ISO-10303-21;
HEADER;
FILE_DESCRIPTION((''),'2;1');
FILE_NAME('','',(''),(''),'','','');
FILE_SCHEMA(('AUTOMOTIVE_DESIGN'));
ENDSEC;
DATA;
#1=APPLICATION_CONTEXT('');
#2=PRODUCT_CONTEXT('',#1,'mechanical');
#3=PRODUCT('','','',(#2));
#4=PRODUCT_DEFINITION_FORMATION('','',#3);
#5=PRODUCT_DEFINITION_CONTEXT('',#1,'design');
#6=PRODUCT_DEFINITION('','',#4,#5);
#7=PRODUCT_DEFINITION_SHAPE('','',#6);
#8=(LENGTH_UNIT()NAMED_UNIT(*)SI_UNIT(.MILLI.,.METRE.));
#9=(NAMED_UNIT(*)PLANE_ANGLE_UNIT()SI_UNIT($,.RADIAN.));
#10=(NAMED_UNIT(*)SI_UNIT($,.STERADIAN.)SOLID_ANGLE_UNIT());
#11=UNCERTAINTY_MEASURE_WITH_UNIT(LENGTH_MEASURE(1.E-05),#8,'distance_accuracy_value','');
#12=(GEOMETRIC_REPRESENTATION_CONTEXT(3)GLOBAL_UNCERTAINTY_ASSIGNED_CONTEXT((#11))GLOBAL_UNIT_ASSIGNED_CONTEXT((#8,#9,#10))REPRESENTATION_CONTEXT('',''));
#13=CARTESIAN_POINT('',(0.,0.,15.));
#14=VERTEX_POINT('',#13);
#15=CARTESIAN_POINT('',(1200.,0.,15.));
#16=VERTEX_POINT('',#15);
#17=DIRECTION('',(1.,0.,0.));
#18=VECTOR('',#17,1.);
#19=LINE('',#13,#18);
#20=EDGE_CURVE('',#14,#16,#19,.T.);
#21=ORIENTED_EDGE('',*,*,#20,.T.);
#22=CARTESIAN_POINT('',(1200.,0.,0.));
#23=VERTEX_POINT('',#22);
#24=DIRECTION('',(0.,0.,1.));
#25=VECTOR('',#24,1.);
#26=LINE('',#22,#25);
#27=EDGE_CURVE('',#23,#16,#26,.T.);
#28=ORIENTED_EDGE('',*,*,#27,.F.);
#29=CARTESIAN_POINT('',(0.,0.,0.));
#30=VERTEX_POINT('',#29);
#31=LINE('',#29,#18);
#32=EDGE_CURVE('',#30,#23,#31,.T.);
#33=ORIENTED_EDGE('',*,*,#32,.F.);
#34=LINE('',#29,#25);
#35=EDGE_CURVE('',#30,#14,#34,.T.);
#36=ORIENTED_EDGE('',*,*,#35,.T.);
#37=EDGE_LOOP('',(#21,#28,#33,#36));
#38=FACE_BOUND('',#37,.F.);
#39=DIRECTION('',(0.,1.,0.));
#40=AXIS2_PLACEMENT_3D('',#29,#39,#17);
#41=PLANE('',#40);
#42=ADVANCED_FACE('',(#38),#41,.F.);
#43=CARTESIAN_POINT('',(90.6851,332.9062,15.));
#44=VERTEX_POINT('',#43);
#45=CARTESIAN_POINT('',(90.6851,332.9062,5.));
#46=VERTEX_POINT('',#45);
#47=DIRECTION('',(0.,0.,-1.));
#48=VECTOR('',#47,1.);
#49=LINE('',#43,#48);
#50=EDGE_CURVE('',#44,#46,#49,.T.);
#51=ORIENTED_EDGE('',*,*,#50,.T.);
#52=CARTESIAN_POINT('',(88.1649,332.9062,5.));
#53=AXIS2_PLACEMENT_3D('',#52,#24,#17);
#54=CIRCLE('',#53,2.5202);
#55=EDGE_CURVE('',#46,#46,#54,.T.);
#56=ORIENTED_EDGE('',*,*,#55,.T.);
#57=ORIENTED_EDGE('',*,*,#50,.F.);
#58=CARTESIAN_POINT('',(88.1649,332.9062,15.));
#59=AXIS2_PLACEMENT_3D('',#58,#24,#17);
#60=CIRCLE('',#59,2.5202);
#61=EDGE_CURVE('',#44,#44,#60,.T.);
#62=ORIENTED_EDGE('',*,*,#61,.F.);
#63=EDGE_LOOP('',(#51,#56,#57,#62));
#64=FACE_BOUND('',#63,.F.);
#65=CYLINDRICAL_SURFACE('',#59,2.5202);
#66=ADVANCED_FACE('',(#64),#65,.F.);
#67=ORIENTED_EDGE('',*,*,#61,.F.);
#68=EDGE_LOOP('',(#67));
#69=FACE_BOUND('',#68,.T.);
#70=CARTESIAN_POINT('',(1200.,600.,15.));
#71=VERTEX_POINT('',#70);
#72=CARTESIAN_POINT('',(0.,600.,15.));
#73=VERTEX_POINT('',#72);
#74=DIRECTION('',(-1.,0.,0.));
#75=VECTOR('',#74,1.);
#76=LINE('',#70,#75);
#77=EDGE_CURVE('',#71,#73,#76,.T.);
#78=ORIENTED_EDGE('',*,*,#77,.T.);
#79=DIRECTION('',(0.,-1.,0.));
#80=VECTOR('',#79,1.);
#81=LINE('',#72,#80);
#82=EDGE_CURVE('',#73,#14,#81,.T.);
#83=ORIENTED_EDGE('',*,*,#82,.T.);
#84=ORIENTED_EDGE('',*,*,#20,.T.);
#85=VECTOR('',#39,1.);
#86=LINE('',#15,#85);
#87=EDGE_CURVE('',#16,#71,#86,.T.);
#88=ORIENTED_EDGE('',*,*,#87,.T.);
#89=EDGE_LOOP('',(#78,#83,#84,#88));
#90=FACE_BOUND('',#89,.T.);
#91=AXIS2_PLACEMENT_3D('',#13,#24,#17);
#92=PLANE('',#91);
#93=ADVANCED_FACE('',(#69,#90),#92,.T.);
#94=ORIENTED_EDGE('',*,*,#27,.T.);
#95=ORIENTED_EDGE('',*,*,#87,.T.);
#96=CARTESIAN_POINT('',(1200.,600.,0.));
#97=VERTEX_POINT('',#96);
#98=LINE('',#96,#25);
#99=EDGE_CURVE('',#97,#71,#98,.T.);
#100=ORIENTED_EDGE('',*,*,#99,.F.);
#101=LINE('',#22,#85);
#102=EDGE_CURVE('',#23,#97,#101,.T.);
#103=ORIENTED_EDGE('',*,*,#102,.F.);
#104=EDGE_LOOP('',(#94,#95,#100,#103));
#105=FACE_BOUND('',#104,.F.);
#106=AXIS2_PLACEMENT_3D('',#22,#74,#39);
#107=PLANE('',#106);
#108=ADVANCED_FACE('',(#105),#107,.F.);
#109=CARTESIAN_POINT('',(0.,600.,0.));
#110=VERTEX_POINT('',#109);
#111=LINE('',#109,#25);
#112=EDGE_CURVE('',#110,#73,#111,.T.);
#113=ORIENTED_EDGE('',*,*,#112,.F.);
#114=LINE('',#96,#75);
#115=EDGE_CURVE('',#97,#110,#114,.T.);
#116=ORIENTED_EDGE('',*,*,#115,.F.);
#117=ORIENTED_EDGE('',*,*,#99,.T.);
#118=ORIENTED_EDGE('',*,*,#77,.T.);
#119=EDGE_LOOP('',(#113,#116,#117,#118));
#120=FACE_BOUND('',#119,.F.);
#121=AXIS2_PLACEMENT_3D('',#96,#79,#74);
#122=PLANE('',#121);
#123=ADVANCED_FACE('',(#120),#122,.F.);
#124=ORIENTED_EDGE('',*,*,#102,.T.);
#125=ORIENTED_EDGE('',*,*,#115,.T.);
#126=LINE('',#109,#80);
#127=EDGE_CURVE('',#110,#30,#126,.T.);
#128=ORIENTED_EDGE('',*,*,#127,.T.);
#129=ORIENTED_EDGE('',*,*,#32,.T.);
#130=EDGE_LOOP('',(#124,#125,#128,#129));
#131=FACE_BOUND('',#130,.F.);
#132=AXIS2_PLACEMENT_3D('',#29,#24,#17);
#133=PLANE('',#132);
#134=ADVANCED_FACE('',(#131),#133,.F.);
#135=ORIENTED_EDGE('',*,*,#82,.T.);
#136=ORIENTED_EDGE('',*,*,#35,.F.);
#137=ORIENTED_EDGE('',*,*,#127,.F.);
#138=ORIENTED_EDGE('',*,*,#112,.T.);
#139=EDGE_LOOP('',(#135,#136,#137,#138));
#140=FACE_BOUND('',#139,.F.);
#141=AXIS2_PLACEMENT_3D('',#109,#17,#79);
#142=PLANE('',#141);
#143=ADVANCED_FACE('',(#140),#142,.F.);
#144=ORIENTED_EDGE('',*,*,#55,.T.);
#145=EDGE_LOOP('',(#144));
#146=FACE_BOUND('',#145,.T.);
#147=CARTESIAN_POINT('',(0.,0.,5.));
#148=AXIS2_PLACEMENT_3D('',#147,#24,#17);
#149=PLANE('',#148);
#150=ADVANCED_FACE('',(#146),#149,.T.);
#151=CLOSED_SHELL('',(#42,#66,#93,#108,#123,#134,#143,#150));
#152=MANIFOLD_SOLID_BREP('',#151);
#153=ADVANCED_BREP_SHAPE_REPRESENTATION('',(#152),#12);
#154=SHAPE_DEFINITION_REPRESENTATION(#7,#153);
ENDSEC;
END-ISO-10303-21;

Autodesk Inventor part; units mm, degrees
ref_plane "YZ Plane" through (0, 0, 0) normal (1, 0, 0) x (0, 1, 0)
ref_plane "XZ Plane" through (0, 0, 0) normal (0, 1, 0) x (-1, 0, 0)
ref_plane "XY Plane" through (0, 0, 0) normal (0, 0, 1) x (1, 0, 0)
sketch "Sketch1" plane through (0, 0, 0) normal (0, 0, 1) x (1, 0, 0)
  line L0 (0, 0) -> (1200, 0)
  line L1 (1200, 0) -> (1200, 600)
  line L2 (1200, 600) -> (0, 600)
  line L3 (0, 600) -> (0, 0)
  dimension "d0" = 1200
  dimension "d1" = 600
extrude "Extrusion1" add sketch "Sketch1" along normal blind 15
sketch "Sketch2" plane through (0, 0, 15) normal (0, 0, 1) x (1, 0, 0)
  circle A0 centre (88.1649, 332.9062) radius 2.5202
  point P0 (0, 0)
extrude "Extrusion2" cut sketch "Sketch2" against normal blind 10
equation "\"BendRadius\" = Thickness"
equation "\"BendReliefWidth\" = Thickness"
equation "\"BendReliefDepth\" = 0.5 * Thickness"
equation "\"CornerReliefSize\" = 4 * Thickness"
equation "\"MinimumRemnant\" = 2 * Thickness"
equation "\"TransitionRadius\" = BendRadius"
equation "\"JacobiRadiusSize\" = BendRadius"
equation "\"GapSize\" = Thickness"
equation "\"Thickness\" = 0.5"
properties part number "tấm gỗ"
